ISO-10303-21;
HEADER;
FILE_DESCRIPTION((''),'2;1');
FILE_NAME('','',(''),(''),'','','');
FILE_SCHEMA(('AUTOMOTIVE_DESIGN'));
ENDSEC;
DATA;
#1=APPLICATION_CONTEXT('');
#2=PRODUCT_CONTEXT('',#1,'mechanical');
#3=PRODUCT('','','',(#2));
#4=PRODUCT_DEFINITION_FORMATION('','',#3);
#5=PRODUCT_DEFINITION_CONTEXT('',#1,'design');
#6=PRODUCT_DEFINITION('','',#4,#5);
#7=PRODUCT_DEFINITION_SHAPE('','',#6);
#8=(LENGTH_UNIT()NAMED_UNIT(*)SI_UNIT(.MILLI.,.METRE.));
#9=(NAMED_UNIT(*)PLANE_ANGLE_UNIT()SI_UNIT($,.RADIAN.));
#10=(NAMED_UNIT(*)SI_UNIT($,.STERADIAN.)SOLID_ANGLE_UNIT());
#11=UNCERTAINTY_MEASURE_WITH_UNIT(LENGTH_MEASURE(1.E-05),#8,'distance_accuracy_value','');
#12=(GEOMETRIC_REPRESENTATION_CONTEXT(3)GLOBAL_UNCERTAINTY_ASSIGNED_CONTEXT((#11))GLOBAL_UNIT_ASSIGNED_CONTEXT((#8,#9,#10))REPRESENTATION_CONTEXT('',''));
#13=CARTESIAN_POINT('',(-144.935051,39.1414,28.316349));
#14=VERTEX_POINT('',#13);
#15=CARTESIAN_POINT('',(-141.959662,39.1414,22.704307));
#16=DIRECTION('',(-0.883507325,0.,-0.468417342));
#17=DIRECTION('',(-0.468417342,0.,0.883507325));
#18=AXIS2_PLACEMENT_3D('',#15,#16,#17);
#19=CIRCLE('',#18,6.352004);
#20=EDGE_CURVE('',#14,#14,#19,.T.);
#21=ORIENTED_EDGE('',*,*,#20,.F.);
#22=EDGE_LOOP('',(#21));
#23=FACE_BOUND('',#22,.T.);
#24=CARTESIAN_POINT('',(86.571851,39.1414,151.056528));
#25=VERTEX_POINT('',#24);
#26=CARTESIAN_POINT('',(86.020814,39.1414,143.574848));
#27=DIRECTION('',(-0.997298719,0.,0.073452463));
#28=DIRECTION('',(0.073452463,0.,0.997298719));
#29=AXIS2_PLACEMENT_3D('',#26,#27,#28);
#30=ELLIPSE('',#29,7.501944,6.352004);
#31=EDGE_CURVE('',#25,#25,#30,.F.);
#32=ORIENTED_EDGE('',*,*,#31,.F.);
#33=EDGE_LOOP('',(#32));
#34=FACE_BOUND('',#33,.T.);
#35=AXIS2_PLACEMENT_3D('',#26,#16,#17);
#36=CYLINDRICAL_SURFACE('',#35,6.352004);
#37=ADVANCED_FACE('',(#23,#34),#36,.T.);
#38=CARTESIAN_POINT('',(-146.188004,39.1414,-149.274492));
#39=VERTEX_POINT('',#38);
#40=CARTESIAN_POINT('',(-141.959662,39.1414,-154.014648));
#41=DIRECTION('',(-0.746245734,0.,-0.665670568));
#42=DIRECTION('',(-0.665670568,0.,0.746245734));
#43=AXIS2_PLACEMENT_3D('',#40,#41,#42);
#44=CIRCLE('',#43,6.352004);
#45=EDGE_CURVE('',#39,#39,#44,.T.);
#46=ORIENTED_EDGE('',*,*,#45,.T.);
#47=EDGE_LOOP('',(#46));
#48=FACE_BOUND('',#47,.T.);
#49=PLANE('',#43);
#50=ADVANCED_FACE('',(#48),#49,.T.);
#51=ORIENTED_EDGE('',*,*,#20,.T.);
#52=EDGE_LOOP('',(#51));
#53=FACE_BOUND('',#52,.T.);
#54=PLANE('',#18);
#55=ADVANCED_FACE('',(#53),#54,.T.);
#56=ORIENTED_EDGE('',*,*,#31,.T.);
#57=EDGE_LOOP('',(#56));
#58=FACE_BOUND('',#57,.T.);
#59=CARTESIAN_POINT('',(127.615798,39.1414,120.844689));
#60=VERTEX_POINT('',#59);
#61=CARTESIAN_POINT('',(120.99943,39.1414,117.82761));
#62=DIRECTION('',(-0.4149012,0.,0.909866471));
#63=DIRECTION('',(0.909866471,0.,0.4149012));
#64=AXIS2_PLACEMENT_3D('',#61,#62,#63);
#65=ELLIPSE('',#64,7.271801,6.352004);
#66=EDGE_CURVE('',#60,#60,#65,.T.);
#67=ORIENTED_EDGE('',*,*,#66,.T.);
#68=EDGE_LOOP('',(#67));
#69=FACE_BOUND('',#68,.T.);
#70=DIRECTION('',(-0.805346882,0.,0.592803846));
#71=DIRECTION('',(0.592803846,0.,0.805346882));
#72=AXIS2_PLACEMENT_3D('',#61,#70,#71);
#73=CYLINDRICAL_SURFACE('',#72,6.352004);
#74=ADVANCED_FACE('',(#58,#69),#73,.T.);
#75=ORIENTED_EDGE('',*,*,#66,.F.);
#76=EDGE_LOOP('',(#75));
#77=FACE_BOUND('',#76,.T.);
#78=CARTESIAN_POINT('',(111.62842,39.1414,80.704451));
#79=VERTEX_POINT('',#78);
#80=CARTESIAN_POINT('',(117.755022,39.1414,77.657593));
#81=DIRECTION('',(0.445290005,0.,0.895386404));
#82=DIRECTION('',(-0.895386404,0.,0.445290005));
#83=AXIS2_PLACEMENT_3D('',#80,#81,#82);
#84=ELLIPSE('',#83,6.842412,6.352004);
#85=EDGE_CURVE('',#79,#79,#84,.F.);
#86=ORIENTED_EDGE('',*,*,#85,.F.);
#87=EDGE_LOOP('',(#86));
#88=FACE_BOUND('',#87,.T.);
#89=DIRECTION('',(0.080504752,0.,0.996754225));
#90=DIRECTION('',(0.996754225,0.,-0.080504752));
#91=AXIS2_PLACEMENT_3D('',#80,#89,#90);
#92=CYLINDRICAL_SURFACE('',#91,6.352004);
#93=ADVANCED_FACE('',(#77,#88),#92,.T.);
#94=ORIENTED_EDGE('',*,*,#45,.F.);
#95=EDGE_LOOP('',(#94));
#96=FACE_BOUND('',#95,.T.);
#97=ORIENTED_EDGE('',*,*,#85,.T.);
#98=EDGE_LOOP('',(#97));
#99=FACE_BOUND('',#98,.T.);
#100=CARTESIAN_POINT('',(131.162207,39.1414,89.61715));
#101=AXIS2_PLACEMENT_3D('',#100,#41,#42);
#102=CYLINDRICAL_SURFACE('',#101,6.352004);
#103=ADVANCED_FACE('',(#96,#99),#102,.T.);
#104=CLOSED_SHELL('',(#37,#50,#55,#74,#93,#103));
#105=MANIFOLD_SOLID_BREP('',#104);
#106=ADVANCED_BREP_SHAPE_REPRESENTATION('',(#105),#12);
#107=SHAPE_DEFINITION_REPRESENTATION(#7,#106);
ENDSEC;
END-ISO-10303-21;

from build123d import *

# Parameters (mm, degrees)
SKETCH3_R = 6.352003692


with BuildPart() as part:
    # Sweep1: sweep along a path in Sketch1
    with BuildLine(Plane(origin=(0, 39.1414, 0), x_dir=(-1, 0, 0), z_dir=(0, 1, 0))) as sweep1_path:
        Line((141.959662456, 22.704306733), (-86.020814471, 143.574848389))
        Line((-86.020814471, 143.574848389), (-120.999430259, 117.827610247))
        Line((-120.999430259, 117.827610247), (-117.755022381, 77.657593152))
        Line((-117.755022381, 77.657593152), (141.959662456, -154.014648133))
    # Sketch3 → Sweep1 (sweep)
    with BuildSketch(Plane(origin=(-141.959662456, 39.1414, -154.014648133), x_dir=(-0.6656705677354647, 1.727731506709886e-15, 0.74624573382415), z_dir=(-0.74624573382415, 1.933959328178795e-15, -0.6656705677354647))):
        Circle(SKETCH3_R)
    sweep(path=sweep1_path.line, transition=Transition.RIGHT)


solid = part.part
